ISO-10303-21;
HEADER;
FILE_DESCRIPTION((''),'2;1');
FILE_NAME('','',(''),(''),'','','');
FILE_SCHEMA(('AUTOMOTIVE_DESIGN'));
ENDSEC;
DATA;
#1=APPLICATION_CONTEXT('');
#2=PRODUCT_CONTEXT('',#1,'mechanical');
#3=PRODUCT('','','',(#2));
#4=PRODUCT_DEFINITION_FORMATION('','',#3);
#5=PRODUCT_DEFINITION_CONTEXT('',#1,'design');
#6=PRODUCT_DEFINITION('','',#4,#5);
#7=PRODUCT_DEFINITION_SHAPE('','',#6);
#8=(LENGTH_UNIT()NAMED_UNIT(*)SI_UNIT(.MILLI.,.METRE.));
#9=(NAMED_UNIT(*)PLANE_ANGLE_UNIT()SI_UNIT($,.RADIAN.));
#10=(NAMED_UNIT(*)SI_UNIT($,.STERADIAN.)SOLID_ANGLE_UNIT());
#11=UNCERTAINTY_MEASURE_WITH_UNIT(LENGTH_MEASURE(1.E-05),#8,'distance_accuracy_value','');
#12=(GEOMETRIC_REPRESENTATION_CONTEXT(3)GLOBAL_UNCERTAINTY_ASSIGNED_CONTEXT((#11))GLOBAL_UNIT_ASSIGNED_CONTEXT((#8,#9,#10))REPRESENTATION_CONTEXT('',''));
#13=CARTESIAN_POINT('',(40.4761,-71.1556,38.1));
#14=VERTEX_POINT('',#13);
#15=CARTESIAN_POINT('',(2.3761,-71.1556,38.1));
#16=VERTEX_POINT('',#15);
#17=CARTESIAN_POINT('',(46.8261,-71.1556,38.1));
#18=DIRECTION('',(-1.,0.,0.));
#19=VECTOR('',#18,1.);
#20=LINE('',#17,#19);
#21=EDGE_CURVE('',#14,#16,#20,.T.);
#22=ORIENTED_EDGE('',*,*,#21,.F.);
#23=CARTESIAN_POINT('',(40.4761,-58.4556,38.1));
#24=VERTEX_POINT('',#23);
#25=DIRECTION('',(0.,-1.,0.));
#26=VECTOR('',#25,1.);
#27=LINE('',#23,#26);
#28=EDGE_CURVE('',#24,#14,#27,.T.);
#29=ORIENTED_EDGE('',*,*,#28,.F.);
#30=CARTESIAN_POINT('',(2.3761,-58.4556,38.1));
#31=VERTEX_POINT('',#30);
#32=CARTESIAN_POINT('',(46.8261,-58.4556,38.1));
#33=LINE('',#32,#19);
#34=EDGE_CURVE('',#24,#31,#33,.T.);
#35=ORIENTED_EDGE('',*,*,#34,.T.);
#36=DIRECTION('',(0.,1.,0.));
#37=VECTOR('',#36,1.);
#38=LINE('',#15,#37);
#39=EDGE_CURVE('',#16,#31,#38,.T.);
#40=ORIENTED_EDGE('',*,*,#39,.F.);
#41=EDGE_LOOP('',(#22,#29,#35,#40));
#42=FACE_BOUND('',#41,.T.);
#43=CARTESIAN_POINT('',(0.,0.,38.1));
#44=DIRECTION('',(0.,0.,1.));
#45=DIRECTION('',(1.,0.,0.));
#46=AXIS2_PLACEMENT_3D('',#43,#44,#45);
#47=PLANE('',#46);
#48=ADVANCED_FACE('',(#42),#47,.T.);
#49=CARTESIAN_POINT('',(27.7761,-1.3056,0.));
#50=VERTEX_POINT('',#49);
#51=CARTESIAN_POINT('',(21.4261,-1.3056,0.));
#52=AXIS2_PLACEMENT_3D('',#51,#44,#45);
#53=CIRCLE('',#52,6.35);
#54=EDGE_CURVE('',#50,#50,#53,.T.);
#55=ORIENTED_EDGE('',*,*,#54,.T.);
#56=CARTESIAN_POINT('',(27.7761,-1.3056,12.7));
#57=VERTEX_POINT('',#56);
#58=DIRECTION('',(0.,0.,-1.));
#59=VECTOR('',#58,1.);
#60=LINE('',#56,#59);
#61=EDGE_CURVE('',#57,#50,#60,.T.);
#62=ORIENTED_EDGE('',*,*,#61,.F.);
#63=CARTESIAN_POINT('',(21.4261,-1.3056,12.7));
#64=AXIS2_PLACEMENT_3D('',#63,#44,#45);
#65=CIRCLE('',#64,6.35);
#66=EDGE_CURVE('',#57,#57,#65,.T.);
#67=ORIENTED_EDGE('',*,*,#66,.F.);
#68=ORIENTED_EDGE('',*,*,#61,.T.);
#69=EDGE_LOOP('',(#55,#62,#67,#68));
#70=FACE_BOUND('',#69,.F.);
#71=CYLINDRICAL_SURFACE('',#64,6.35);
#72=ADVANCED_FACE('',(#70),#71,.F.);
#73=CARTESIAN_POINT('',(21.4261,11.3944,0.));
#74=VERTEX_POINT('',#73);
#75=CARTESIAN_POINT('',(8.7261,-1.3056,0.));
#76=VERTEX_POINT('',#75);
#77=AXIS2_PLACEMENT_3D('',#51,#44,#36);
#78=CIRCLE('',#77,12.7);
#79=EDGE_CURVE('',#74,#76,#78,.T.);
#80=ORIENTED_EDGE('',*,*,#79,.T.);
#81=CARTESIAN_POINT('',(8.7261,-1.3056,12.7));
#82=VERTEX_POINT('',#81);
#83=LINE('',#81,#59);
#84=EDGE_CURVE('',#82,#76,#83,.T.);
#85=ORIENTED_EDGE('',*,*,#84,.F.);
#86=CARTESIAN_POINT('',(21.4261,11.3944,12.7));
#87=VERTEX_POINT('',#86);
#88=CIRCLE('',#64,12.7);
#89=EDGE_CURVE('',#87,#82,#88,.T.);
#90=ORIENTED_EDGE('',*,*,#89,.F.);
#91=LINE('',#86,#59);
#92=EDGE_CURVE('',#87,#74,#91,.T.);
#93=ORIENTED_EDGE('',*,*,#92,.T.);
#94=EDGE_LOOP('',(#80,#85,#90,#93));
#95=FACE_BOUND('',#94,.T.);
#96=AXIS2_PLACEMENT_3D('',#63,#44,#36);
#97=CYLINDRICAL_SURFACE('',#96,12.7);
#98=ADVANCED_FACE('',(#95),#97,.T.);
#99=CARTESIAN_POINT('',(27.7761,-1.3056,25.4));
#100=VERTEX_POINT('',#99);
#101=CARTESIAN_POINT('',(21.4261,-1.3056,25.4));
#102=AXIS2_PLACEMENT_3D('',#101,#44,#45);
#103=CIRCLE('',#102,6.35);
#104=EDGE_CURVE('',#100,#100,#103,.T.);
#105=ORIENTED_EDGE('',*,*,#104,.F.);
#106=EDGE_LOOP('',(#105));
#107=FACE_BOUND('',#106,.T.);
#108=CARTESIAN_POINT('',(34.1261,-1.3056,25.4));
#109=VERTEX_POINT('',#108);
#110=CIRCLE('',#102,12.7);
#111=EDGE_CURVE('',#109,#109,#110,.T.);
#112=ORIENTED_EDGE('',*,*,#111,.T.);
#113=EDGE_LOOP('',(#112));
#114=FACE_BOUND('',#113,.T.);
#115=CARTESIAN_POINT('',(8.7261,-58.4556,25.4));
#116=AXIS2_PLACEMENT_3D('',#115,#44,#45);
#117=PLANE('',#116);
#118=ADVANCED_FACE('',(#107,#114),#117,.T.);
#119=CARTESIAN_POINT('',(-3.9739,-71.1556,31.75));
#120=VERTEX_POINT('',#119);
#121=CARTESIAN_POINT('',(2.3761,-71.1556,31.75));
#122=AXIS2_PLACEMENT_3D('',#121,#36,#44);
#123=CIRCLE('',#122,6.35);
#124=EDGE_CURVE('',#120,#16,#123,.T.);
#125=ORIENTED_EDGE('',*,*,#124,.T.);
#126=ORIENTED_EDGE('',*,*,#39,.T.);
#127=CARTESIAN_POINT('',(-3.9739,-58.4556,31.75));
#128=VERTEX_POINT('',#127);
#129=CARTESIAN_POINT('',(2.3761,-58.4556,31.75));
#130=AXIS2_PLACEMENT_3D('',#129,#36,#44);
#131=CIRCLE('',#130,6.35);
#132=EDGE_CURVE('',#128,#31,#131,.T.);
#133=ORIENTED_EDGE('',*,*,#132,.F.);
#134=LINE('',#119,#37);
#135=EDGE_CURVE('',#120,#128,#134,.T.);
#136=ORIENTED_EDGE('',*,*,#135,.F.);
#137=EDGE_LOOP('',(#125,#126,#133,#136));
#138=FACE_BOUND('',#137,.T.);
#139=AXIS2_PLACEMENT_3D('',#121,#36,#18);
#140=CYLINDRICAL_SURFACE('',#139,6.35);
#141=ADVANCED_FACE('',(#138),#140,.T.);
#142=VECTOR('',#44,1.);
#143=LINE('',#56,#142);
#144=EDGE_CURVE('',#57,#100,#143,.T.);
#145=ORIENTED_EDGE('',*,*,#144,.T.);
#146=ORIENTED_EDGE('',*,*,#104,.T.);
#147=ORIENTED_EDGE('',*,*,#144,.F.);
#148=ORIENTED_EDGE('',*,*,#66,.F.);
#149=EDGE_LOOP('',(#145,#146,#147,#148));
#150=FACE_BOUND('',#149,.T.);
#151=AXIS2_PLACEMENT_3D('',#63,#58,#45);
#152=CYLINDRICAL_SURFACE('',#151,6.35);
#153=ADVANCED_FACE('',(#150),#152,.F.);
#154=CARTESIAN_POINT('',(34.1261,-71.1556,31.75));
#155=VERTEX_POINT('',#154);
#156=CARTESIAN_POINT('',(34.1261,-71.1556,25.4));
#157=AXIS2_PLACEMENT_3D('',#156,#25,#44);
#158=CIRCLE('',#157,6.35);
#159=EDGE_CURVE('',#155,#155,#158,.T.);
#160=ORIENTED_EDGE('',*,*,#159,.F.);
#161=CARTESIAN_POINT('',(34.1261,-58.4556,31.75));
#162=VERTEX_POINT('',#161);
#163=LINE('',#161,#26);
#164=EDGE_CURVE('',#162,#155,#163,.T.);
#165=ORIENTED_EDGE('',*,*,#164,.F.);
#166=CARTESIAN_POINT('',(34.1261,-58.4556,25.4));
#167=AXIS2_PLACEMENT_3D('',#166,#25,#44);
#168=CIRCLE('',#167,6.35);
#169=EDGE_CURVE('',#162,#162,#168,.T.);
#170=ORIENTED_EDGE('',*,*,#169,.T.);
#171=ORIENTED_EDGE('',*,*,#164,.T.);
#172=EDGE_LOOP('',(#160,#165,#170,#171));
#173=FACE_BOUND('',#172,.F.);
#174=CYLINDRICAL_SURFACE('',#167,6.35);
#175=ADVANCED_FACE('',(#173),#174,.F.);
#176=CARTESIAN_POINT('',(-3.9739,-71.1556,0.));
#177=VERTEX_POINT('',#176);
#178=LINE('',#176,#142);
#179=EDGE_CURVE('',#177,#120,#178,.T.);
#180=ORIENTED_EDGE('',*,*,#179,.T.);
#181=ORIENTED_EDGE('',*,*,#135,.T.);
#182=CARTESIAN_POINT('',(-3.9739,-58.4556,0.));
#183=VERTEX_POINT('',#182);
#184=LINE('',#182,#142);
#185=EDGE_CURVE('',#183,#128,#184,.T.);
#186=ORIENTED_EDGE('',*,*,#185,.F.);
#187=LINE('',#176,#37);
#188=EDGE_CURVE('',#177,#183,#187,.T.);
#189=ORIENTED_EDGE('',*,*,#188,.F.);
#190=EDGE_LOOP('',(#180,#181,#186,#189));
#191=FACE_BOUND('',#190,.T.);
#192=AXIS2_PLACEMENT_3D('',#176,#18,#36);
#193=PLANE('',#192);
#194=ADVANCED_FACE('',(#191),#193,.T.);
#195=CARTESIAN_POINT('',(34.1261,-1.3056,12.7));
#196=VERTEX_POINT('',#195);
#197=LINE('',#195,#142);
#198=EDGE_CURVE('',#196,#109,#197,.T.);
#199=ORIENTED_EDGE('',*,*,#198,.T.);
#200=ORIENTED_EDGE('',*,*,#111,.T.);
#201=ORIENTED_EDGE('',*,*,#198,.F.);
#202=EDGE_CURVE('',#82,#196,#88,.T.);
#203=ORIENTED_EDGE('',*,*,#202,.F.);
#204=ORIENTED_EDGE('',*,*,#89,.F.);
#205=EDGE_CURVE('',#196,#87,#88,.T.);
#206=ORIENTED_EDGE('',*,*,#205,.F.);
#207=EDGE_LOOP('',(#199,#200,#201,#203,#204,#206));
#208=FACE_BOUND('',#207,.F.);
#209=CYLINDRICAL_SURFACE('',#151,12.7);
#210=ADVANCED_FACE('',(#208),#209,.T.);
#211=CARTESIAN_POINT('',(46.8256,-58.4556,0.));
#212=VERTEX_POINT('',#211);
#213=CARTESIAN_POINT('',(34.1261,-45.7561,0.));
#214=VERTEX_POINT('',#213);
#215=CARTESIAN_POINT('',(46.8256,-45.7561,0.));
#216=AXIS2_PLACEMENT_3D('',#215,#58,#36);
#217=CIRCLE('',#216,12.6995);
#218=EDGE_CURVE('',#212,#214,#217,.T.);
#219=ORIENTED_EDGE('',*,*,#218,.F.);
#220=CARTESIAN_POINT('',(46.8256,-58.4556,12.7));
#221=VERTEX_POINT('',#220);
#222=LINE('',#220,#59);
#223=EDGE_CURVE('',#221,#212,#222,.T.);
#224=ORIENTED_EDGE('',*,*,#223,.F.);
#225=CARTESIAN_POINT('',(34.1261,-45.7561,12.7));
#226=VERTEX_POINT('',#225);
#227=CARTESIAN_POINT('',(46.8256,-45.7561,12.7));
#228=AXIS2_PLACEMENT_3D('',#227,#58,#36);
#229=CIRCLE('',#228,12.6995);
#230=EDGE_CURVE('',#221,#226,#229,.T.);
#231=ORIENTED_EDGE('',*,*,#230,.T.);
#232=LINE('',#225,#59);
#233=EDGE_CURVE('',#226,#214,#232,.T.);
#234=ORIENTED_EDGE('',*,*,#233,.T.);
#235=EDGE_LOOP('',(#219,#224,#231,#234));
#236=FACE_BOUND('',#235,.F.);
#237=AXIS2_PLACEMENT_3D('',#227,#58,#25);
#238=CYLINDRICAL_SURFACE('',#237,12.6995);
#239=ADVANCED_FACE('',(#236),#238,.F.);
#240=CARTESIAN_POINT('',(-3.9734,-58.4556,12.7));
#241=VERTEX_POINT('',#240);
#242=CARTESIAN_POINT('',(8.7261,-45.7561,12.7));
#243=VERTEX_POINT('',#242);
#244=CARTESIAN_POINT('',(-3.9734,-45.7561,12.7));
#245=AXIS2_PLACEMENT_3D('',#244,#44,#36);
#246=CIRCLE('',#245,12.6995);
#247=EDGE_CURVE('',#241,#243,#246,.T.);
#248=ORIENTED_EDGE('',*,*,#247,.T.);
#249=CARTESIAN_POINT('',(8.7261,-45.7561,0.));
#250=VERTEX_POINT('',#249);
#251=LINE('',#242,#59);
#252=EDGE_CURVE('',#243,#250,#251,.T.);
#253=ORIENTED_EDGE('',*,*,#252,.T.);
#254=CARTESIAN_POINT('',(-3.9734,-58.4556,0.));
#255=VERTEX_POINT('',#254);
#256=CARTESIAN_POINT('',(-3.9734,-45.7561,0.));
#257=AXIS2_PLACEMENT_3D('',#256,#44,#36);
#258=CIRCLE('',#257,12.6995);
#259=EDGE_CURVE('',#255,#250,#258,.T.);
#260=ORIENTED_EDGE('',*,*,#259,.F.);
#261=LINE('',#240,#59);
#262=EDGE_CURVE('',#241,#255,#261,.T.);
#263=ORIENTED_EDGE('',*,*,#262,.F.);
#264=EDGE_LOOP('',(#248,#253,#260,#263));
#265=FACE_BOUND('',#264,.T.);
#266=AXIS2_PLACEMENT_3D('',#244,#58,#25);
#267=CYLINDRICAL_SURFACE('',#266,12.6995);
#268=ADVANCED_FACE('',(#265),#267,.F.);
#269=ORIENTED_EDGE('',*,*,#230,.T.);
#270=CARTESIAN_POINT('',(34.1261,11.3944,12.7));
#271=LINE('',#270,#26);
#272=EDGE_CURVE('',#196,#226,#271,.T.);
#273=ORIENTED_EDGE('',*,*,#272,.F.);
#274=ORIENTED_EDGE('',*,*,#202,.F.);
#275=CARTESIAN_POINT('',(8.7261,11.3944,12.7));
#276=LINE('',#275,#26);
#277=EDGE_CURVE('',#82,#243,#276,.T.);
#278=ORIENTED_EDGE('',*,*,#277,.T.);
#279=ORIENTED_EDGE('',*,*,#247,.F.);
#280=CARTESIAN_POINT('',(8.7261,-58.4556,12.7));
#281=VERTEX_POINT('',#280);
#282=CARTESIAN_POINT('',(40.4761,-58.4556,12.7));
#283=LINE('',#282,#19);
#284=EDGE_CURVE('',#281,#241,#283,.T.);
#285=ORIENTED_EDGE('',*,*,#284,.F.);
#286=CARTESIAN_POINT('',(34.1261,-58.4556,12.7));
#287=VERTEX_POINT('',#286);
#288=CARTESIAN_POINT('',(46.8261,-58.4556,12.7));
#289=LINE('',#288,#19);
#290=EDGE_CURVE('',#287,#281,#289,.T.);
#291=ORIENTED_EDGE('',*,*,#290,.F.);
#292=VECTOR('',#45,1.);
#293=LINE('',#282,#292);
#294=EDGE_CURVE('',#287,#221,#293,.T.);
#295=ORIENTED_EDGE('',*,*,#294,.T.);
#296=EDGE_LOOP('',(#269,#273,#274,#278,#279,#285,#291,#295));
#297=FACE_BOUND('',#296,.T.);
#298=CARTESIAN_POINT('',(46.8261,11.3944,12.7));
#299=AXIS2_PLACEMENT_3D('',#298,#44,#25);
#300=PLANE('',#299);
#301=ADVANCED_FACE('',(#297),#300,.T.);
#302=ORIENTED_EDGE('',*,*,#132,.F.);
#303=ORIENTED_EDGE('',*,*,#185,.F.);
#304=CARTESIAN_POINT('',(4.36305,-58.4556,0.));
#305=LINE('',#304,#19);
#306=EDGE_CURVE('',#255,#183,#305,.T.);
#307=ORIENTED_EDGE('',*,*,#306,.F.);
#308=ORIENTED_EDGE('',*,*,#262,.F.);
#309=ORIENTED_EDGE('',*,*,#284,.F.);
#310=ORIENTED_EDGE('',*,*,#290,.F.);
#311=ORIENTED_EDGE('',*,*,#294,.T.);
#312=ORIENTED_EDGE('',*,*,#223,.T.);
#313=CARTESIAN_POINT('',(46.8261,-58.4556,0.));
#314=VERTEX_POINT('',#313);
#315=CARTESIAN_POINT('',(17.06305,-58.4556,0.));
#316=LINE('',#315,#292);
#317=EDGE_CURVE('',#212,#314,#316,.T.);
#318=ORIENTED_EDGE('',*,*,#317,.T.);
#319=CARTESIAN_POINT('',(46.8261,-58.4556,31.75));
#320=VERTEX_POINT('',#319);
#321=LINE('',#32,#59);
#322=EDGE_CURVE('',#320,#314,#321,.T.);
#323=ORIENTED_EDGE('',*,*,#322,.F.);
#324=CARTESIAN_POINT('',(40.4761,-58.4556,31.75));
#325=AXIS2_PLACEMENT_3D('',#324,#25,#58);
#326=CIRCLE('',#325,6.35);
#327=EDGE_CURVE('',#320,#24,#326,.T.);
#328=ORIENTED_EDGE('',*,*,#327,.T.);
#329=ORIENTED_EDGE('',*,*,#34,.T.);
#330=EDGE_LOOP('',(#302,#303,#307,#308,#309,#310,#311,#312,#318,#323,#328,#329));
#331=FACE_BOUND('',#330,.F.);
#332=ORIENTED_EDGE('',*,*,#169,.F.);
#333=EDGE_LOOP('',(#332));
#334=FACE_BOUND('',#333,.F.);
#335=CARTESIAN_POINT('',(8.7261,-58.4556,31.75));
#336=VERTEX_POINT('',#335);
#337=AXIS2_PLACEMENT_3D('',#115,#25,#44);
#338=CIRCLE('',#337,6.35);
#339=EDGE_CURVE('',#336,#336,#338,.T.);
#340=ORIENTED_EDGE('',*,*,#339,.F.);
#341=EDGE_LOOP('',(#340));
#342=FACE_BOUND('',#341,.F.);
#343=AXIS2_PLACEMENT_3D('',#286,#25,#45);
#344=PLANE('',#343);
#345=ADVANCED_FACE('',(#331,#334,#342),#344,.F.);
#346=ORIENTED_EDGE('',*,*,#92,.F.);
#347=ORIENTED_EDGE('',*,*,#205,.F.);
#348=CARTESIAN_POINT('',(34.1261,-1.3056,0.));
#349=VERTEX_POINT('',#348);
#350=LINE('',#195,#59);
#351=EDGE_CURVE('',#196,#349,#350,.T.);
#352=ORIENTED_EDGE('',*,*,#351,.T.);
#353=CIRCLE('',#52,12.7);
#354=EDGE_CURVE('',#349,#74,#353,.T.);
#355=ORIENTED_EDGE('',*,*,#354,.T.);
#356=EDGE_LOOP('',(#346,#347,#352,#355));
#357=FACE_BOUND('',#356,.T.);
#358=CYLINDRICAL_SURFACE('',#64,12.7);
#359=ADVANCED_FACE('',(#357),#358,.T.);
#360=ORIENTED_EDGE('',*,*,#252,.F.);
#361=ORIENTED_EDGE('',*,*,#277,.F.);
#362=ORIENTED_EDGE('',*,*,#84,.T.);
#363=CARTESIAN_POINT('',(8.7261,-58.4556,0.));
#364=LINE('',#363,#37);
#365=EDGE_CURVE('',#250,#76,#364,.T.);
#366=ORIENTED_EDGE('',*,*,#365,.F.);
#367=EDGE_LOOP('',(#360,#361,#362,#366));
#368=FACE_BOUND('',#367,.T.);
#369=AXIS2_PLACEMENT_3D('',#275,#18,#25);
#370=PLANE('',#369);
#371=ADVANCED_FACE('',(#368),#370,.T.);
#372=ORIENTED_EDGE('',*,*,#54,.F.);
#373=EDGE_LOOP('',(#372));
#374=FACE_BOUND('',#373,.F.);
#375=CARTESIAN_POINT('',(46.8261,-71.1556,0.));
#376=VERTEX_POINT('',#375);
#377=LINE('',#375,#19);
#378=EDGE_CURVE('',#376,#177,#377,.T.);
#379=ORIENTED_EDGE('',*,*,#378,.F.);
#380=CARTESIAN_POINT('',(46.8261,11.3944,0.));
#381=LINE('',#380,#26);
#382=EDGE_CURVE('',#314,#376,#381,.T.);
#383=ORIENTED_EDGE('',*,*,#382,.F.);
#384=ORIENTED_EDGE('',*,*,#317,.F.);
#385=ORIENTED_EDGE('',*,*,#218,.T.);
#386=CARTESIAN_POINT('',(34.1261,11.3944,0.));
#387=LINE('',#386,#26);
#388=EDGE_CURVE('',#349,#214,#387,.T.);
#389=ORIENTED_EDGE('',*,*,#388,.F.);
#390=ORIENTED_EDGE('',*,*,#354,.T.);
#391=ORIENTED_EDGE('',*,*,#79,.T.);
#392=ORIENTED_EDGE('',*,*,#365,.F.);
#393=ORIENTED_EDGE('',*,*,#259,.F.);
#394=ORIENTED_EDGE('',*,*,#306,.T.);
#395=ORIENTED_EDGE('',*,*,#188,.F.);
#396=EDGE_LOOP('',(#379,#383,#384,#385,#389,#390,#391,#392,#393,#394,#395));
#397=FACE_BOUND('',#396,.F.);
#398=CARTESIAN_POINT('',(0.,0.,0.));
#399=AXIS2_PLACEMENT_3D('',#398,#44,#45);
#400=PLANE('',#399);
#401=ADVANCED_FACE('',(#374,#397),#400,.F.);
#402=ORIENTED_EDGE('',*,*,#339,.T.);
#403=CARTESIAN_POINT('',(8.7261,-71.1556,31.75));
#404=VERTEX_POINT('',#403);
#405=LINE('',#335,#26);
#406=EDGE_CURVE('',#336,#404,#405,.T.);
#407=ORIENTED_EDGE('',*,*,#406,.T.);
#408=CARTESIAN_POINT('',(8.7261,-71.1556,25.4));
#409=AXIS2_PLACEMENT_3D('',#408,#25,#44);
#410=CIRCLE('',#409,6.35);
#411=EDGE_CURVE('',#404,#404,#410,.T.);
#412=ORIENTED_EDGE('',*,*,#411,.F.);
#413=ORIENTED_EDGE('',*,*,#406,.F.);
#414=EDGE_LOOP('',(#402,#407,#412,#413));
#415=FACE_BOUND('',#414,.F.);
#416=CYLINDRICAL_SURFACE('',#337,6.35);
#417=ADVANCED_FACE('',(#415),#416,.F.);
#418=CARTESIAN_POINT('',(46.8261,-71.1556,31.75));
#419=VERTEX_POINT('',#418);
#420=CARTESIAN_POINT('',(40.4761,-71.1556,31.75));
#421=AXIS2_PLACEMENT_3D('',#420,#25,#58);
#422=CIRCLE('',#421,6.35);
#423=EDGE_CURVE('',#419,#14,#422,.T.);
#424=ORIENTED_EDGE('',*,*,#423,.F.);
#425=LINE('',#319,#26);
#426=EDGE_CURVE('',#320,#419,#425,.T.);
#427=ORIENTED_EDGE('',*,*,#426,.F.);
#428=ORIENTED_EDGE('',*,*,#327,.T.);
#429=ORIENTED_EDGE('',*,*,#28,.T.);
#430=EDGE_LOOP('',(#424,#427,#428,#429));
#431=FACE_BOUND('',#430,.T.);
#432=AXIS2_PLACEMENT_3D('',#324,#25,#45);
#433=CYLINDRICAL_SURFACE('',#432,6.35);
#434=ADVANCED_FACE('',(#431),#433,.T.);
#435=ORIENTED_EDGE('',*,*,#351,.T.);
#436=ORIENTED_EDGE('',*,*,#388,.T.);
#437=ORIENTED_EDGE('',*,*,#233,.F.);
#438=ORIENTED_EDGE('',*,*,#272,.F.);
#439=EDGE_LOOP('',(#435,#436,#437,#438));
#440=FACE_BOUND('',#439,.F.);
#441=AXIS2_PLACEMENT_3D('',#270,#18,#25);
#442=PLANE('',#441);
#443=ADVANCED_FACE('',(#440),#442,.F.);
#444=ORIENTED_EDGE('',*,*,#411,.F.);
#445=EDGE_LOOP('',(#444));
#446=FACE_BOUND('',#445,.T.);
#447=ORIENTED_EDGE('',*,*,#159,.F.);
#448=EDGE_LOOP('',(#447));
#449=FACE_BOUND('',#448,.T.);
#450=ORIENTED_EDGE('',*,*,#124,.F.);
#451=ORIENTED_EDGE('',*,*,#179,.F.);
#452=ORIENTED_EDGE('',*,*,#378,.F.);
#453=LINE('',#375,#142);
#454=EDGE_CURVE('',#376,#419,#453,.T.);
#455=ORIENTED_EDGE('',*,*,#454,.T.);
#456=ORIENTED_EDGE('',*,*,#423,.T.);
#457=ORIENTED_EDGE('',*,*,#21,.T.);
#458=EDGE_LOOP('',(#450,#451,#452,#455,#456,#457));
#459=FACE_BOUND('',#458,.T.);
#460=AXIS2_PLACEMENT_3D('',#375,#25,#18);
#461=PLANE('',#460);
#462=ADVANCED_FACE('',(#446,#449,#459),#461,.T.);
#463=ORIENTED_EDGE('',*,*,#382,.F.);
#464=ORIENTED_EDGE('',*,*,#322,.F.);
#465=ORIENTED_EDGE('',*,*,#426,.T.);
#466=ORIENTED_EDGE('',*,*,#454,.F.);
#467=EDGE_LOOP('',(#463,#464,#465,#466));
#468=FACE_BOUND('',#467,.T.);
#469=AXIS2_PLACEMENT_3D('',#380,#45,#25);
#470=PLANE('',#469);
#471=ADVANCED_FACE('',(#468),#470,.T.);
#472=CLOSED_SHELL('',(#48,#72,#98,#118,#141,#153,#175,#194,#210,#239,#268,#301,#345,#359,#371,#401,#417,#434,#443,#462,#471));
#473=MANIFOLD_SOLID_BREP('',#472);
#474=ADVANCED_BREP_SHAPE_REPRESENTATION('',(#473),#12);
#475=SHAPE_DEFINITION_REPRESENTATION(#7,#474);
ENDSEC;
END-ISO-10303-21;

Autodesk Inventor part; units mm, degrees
ref_plane "YZ Plane" through (0, 0, 0) normal (1, 0, 0) x (0, 1, 0)
ref_plane "XZ Plane" through (0, 0, 0) normal (0, 1, 0) x (-1, 0, 0)
ref_plane "XY Plane" through (0, 0, 0) normal (0, 0, 1) x (1, 0, 0)
sketch "Sketch1" plane through (0, 0, 0) normal (0, 0, 1) x (1, 0, 0)
  line L0 (-3.9739, 11.3944) -> (46.8261, 11.3944)
  line L1 (46.8261, 11.3944) -> (46.8261, -71.1556)
  line L2 (46.8261, -71.1556) -> (-3.9739, -71.1556)
  line L3 (-3.9739, -71.1556) -> (-3.9739, 11.3944)
  point P0 (0, 0)
  dimension "d0" = 50.8
  dimension "d1" = 82.55
extrude "Extrusion1" add sketch "Sketch1" along normal blind 38.1
sketch "Sketch2" plane through (46.8261, -71.1556, 0) normal (1, 0, 0) x (0, 0, -1)
  line L0 (0, 82.55) -> (-38.1, 82.55) projected
  line L1 (-38.1, 82.55) -> (-12.7, 82.55)
  line L2 (-12.7, 82.55) -> (-12.7, 12.7)
  line L3 (-12.7, 12.7) -> (-38.1, 12.7)
  line L4 (-38.1, 12.7) -> (-38.1, 82.55)
  point P0 (0, 71.1556)
  dimension "d4" = 25.4
  dimension "d5" = 69.85
extrude "Extrusion2" cut sketch "Sketch2" against normal through all
sketch "Sketch3" plane through (46.8261, -58.4556, 12.7) normal (0, 0, 1) x (1, 0, 0)
  line L0 (-50.8, 69.85) -> (0, 69.85) projected
  line L1 (-50.8, 69.85) -> (-38.1, 69.85)
  line L2 (-38.1, 69.85) -> (-38.1, 0)
  line L3 (-38.1, 0) -> (-50.8, 0)
  line L4 (-50.8, 0) -> (-50.8, 69.85)
  line L5 (0, 69.85) -> (-12.7, 69.85)
  line L6 (-12.7, 69.85) -> (-12.7, 0)
  line L7 (-12.7, 0) -> (0, 0)
  line L8 (0, 0) -> (0, 69.85)
  point P0 (-46.8261, 58.4556)
  dimension "d8" = 12.7
  dimension "d9" = 69.85
  dimension "d10" = 12.7
  dimension "d11" = 69.85
extrude "Extrusion3" cut sketch "Sketch3" against normal through all
sketch "Sketch4" plane through (8.7261, -58.4556, 12.7) normal (0, 0, 1) x (1, 0, 0)
  line L0 (0, 69.85) -> (0, 0) construction
  line L1 (25.4, 0) -> (0, 0) construction
  line L2 (25.4, 0) -> (25.4, 69.85) construction
  line L3 (0, 69.85) -> (25.4, 69.85) construction
  circle A0 centre (12.7, 57.15) radius 12.7
  circle A1 centre (12.7, 57.15) radius 6.35
  point P0 (-8.7261, 58.4556)
  dimension "d14" = 12.7
extrude "Extrusion4" add sketch "Sketch4" along normal mid plane 25.4
sketch "Sketch5" plane through (8.7261, 11.3944, 12.7) normal (0, 0, 1) x (1, 0, 0)
  arc A0 (12.7, 0) -> (0, -12.7) centre (12.7, -12.7) ccw projected
  line L0 (0, 0) -> (12.7, 0) projected
  line L1 (0, 0) -> (0, -12.7) projected
  arc A1 (25.4, -12.7) -> (12.7, 0) centre (12.7, -12.7) ccw projected
  line L2 (25.4, -12.7) -> (25.4, 0) projected
  line L3 (12.7, 0) -> (25.4, 0) projected
  point P0 (-8.7261, -11.3944)
extrude "Extrusion5" cut sketch "Sketch5" against normal through all
sketch "Sketch6" plane through (21.4261, -1.3056, 12.7) normal (0, 0, 1) x (1, 0, 0)
  circle A0 centre (0, 0) radius 6.35 projected
  point P0 (-21.4261, 1.3056)
extrude "Extrusion6" cut sketch "Sketch6" against normal through all
sketch "Sketch7" plane through (46.8261, -58.4556, 38.1) normal (0, 1, 0) x (1, 0, 0)
  line L0 (-50.8, 0) -> (-50.8, 38.1) construction
  line L1 (0, 0) -> (-50.8, 0) construction
  line L2 (0, 38.1) -> (0, 0) construction
  line L3 (-12.7, 38.1) -> (0, 38.1) construction
  line L4 (-12.7, 25.4) -> (-12.7, 38.1) construction
  line L5 (-12.7, 25.4) -> (-38.1, 25.4) construction
  line L6 (-38.1, 25.4) -> (-38.1, 38.1) construction
  line L7 (-50.8, 38.1) -> (-38.1, 38.1) construction
  line L8 (-50.8, 0) -> (-50.8, 38.1) construction
  line L9 (0, 0) -> (-50.8, 0) construction
  line L10 (0, 38.1) -> (0, 0) construction
  line L11 (-12.7, 38.1) -> (0, 38.1) construction
  line L12 (-12.7, 25.4) -> (-12.7, 38.1) construction
  line L13 (-12.7, 25.4) -> (-38.1, 25.4) construction
  line L14 (-38.1, 25.4) -> (-38.1, 38.1) construction
  line L15 (-50.8, 38.1) -> (-38.1, 38.1) construction
  line L16 (-38.1, 12.7) -> (-12.7, 12.7) construction
  point P0 (-46.8261, 38.1)
hole "Hole1" at (8.7261, -58.4556, 25.4) at (34.1261, -58.4556, 25.4) direction (0, -1, 0) diameter 12.7 end through all
fillet "Fillet1" radius 6.35 2 edges at (-3.9739, -64.8056, 38.1) (46.8261, -64.8056, 38.1)
fillet "Fillet2" radius 12.7 2 edges at (8.7261, -58.4556, 6.35) (34.1261, -58.4556, 6.35)
